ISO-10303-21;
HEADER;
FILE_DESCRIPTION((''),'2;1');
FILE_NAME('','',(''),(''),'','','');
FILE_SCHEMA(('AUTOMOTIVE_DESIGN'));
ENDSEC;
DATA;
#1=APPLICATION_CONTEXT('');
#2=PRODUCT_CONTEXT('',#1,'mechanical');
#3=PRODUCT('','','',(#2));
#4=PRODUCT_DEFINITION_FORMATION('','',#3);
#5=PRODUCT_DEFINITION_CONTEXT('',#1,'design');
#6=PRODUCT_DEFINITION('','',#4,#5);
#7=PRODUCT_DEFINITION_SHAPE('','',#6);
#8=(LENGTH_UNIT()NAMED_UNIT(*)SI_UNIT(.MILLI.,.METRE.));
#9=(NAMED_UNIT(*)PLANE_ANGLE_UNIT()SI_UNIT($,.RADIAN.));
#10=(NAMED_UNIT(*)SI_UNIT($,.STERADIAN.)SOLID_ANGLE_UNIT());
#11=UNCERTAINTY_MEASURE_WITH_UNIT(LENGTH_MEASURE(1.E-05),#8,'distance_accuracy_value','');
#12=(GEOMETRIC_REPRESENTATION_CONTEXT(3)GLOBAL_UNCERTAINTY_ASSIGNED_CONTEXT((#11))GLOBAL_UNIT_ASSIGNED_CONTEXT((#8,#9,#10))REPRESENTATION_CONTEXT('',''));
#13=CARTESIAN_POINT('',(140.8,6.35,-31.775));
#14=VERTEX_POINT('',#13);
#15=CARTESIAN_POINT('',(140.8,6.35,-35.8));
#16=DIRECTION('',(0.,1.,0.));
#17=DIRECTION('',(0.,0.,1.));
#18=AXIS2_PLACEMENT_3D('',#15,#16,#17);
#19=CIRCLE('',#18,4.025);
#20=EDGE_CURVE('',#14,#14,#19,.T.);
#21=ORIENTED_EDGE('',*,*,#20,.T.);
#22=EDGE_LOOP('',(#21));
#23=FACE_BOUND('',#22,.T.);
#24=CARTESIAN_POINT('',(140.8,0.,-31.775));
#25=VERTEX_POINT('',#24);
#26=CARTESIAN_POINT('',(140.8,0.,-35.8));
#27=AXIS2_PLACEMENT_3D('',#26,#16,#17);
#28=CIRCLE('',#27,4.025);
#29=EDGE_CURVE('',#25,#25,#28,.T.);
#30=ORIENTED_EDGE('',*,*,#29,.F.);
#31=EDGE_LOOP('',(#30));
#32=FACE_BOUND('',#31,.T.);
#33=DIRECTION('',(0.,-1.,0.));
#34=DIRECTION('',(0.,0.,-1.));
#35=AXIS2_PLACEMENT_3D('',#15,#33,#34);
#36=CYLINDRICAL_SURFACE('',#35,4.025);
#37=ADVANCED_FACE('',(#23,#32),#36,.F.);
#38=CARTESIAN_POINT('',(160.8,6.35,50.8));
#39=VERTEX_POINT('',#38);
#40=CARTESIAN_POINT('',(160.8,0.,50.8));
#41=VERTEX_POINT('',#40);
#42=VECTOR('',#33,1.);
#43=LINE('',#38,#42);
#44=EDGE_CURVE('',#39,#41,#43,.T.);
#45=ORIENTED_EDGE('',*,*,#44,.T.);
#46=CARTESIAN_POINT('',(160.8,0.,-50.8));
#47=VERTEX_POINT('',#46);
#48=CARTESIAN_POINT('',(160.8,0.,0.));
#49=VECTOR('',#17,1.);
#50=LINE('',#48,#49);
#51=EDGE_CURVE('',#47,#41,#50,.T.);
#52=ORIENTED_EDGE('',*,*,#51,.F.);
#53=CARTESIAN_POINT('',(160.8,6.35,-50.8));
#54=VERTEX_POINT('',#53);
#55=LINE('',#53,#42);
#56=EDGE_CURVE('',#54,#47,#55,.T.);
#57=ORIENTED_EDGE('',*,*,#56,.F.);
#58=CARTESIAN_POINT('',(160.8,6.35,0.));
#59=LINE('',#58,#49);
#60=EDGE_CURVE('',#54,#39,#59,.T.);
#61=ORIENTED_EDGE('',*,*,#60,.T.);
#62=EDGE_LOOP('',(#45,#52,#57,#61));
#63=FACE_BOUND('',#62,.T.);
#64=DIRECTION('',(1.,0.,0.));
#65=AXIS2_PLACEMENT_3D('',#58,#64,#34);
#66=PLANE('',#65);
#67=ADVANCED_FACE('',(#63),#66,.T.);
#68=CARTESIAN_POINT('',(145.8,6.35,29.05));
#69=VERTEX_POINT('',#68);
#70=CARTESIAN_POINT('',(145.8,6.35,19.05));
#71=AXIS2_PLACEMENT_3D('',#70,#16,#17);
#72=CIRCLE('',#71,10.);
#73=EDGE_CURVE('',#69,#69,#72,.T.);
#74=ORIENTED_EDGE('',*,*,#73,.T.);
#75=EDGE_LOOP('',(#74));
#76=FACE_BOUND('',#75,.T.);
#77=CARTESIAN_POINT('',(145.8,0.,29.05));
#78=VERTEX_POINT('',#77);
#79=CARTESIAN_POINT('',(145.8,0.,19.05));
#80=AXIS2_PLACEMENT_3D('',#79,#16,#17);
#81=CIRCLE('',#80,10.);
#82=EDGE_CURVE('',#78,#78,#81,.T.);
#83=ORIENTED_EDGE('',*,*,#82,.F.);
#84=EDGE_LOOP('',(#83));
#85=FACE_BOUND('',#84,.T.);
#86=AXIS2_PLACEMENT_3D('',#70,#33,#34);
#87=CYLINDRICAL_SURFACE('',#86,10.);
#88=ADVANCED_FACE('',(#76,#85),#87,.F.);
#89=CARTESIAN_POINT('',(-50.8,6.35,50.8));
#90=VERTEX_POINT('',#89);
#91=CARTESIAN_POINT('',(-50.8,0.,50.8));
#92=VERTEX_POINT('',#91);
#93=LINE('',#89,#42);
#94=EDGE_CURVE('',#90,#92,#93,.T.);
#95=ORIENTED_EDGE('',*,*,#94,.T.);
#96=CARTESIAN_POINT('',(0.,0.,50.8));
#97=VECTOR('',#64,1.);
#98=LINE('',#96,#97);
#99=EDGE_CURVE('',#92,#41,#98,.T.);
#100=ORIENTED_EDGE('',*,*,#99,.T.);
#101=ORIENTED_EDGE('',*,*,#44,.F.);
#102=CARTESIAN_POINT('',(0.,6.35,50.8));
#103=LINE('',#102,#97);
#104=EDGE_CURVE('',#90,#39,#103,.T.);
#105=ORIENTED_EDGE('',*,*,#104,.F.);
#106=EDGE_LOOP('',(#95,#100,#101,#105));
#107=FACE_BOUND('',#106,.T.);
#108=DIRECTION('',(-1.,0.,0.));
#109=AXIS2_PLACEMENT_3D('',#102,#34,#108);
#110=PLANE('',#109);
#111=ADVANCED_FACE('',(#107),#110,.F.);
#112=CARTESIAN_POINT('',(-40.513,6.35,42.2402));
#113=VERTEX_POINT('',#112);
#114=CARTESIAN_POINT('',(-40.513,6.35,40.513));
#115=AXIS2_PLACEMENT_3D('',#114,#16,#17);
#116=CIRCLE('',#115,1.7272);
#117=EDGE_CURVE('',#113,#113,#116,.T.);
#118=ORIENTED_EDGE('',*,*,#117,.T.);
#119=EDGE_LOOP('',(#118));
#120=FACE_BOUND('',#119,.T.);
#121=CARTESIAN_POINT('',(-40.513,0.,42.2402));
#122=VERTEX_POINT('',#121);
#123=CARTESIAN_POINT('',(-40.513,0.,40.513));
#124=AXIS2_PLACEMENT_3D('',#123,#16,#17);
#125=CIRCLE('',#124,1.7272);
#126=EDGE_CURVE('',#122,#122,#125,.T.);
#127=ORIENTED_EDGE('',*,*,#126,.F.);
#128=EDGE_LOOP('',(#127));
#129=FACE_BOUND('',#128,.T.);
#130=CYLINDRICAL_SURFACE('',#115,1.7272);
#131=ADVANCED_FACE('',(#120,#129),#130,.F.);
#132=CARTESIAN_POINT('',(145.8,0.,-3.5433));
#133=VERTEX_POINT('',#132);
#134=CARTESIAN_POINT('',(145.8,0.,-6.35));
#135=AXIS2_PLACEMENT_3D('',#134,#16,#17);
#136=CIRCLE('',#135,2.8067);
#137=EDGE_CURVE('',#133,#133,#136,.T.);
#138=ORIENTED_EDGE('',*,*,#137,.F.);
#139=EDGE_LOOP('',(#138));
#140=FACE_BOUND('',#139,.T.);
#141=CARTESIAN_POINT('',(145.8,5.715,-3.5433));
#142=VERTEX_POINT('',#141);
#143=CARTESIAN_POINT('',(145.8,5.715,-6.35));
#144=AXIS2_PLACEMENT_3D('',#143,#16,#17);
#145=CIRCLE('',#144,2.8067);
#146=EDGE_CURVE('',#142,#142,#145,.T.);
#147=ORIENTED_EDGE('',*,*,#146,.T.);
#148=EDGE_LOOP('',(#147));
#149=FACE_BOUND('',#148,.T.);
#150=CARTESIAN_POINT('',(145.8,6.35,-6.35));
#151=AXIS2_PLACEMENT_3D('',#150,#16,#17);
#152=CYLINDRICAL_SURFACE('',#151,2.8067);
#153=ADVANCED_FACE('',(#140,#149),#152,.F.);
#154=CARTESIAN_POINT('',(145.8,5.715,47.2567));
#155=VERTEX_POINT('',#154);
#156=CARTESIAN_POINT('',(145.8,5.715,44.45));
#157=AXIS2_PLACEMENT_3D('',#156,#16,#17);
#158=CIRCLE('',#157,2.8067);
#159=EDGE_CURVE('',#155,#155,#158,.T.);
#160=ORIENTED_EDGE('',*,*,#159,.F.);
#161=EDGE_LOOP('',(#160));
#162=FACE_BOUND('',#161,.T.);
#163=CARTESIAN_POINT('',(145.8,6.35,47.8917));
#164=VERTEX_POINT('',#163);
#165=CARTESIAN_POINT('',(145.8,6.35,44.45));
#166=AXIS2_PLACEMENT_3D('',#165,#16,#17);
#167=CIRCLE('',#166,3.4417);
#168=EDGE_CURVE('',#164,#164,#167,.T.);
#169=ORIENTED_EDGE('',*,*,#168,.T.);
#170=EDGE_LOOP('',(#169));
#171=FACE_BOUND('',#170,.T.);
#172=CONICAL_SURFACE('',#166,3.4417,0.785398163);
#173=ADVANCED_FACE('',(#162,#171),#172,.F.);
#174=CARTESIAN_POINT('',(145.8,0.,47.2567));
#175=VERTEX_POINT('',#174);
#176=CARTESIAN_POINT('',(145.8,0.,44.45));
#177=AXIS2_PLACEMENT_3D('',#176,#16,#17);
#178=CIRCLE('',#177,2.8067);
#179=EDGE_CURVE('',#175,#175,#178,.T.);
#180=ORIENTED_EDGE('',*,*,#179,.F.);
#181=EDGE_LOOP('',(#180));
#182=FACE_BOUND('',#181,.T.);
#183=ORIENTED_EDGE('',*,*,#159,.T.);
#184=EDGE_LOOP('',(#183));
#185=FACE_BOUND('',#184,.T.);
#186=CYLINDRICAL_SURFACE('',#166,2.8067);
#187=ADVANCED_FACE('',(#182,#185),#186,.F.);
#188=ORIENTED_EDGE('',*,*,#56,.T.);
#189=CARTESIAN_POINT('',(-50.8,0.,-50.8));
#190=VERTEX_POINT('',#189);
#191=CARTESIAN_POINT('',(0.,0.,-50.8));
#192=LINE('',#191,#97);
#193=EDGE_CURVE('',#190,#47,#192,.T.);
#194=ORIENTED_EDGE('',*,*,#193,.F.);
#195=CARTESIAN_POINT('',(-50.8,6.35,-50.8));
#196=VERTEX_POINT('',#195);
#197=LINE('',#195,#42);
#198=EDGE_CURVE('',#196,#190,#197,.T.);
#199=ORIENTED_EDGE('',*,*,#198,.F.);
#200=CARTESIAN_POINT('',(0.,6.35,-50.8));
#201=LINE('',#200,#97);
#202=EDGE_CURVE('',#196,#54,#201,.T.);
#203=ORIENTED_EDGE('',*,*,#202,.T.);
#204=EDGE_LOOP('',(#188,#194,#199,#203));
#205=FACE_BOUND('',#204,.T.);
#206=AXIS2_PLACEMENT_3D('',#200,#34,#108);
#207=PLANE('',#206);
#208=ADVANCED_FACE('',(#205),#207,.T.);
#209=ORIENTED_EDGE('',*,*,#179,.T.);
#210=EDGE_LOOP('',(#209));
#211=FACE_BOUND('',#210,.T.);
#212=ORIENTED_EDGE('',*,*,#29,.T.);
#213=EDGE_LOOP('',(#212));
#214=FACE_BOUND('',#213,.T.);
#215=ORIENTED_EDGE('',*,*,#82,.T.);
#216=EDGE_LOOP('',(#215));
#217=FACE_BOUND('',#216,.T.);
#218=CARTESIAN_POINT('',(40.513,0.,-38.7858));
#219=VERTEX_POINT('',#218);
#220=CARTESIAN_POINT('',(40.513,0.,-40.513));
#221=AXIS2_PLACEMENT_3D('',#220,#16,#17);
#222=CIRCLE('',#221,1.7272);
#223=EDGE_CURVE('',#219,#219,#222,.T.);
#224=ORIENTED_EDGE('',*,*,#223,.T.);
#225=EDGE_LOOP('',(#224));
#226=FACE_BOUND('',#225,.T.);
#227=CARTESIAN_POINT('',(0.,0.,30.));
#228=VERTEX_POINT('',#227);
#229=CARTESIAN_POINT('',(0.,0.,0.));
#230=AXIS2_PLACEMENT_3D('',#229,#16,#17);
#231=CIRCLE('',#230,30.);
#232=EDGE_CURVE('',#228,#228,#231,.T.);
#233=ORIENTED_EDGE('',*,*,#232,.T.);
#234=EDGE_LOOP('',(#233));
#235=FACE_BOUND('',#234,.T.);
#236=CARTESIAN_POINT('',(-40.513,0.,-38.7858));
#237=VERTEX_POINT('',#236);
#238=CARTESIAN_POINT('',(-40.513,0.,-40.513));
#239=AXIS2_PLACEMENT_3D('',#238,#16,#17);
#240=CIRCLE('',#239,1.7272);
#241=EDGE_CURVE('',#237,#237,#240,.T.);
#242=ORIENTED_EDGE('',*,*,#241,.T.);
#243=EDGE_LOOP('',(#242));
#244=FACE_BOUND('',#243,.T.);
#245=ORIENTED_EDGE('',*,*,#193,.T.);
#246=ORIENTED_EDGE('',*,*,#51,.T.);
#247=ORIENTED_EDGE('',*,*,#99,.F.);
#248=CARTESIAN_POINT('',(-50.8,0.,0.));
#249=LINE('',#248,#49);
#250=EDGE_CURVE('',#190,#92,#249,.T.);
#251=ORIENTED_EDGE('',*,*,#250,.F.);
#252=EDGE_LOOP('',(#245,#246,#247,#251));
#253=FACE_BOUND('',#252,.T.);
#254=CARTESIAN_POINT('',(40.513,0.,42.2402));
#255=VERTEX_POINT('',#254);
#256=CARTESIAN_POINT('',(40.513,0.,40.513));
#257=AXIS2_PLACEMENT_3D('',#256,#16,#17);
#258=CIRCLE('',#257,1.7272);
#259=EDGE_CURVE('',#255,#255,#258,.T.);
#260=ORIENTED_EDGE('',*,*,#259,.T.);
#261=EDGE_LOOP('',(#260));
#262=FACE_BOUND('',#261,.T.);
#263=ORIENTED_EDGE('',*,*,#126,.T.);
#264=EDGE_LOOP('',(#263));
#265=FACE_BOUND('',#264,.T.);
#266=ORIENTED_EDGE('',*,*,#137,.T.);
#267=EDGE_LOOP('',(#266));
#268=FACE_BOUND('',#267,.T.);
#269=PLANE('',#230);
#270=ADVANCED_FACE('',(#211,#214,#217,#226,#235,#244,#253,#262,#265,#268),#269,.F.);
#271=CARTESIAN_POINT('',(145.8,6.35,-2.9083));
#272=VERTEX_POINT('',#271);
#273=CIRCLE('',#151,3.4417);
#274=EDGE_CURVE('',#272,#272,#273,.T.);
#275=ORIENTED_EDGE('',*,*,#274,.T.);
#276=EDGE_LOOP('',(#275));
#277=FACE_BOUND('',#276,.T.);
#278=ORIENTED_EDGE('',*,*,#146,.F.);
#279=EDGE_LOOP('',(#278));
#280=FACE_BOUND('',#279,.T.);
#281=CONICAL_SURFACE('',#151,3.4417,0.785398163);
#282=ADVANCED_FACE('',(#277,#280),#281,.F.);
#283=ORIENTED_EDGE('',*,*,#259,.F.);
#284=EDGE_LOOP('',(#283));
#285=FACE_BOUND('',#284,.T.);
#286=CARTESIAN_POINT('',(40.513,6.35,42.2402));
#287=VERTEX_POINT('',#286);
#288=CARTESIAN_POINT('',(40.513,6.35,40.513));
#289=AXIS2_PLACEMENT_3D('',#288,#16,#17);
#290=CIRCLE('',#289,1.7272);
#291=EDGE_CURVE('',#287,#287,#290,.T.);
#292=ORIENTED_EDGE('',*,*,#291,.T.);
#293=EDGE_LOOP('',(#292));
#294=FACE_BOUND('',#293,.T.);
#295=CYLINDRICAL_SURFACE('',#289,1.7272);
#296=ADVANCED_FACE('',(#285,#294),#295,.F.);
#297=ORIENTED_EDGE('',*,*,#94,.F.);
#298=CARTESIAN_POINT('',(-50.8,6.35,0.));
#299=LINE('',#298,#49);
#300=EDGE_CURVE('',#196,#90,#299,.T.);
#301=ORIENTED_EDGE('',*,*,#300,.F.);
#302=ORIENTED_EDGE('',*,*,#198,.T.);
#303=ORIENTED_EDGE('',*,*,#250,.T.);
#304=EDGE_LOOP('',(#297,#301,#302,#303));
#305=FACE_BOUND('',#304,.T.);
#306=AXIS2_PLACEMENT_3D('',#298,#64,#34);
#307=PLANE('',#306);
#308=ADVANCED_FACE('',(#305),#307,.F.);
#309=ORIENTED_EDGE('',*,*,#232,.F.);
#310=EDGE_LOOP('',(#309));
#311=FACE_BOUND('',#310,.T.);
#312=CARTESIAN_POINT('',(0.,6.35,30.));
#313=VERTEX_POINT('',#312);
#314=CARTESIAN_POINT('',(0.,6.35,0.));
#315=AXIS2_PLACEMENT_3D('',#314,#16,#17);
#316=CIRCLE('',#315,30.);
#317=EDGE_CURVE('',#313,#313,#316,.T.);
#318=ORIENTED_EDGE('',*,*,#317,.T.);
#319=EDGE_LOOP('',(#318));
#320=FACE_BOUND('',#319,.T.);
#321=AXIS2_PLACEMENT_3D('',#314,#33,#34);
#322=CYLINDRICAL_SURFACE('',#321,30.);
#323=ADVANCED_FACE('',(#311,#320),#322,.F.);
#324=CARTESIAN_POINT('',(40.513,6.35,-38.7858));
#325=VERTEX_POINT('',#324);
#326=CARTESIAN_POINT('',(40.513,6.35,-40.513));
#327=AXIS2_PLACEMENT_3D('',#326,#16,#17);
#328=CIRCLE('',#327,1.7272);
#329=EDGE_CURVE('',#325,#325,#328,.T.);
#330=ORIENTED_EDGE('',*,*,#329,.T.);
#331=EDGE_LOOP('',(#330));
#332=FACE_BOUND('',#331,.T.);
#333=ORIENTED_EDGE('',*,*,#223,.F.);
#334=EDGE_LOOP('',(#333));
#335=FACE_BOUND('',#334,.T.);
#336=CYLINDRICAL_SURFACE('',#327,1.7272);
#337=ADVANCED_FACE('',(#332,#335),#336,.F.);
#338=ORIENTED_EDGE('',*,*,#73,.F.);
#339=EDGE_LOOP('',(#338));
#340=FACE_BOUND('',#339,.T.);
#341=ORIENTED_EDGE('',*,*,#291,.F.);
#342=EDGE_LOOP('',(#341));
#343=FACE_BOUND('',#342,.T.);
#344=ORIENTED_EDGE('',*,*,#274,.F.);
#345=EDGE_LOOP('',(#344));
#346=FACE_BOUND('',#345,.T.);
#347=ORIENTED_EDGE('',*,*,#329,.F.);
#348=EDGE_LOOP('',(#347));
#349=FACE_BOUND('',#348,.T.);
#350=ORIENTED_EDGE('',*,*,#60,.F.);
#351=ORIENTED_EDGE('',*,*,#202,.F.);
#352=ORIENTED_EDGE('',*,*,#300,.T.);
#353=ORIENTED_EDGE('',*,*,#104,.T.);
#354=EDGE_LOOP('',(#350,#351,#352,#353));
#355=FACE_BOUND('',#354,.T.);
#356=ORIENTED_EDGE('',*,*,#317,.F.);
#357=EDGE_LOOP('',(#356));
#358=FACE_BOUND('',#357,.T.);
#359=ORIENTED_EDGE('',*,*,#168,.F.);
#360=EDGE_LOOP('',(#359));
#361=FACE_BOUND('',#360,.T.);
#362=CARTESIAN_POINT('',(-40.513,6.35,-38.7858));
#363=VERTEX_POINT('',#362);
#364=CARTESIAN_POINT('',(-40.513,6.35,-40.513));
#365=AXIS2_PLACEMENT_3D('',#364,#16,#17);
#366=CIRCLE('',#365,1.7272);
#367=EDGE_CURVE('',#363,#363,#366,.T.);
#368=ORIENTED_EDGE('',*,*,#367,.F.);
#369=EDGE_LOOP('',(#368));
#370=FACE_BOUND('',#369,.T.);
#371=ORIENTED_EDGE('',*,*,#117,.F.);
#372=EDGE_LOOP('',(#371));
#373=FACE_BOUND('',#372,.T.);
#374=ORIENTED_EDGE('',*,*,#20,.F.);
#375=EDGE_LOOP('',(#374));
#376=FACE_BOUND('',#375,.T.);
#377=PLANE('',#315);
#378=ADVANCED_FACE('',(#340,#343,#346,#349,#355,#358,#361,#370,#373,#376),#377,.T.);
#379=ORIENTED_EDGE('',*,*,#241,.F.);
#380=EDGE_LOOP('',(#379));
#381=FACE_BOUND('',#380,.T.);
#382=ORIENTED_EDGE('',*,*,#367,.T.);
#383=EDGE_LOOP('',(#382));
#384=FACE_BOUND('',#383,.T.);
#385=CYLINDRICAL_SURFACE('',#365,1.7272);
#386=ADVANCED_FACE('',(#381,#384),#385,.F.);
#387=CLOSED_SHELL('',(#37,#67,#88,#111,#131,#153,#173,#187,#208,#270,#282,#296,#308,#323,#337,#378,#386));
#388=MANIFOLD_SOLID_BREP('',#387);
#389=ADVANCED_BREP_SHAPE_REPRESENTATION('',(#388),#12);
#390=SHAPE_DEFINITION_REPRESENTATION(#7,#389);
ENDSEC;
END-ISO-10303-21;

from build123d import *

# Parameters (mm, degrees)
SKETCH1_W                        = 211.6
SKETCH1_H                        = 101.6
SKETCH1_R                        = 30
SKETCH1_R_2                      = 4.025
SKETCH1_R_3                      = 10
BOSS_EXTRUDE1_DEPTH              = 6.35
F_8_32_TAPPED_HOLE1_D            = 3.4544
F_10_CLEARANCE_HOLE1_D           = 5.6134
F_10_CLEARANCE_HOLE1_CSINK_D     = 6.8834
F_10_CLEARANCE_HOLE1_CSINK_ANGLE = 90


with BuildPart() as part:
    # Sketch1 → Boss-Extrude1 (new body)
    with BuildSketch(Plane(origin=(0, 0, 0), x_dir=(1, 0, 0), z_dir=(0, 1, 0))):
        with Locations((55, 0)):
            Rectangle(SKETCH1_W, SKETCH1_H)
        with Locations(Location((0, 0, 0), (0, 0, 270))):
            Circle(SKETCH1_R, mode=Mode.SUBTRACT)
        with Locations(Location((140.8, 35.8, 0), (0, 0, 270))):
            Circle(SKETCH1_R_2, mode=Mode.SUBTRACT)
        with Locations(Location((145.8, -19.05, 0), (0, 0, 270))):
            Circle(SKETCH1_R_3, mode=Mode.SUBTRACT)
    extrude(amount=BOSS_EXTRUDE1_DEPTH)

    # #8-32 Tapped Hole1 (through all)
    with Locations(Plane(origin=(0, 6.35, 0), x_dir=(1, 0, 0), z_dir=(0, 1, 0))):
        with Locations((-40.513, 40.513), (40.513, 40.513), (40.513, -40.513), (-40.513, -40.513)):
            Hole(F_8_32_TAPPED_HOLE1_D / 2)

    # #10 Clearance Hole1 (through all)
    with Locations(Plane(origin=(0, 6.35, 0), x_dir=(1, 0, 0), z_dir=(0, 1, 0))):
        with Locations((145.8, 6.35), (145.8, -44.45)):
            CounterSinkHole(F_10_CLEARANCE_HOLE1_D / 2, F_10_CLEARANCE_HOLE1_CSINK_D / 2, counter_sink_angle=F_10_CLEARANCE_HOLE1_CSINK_ANGLE)


solid = part.part
